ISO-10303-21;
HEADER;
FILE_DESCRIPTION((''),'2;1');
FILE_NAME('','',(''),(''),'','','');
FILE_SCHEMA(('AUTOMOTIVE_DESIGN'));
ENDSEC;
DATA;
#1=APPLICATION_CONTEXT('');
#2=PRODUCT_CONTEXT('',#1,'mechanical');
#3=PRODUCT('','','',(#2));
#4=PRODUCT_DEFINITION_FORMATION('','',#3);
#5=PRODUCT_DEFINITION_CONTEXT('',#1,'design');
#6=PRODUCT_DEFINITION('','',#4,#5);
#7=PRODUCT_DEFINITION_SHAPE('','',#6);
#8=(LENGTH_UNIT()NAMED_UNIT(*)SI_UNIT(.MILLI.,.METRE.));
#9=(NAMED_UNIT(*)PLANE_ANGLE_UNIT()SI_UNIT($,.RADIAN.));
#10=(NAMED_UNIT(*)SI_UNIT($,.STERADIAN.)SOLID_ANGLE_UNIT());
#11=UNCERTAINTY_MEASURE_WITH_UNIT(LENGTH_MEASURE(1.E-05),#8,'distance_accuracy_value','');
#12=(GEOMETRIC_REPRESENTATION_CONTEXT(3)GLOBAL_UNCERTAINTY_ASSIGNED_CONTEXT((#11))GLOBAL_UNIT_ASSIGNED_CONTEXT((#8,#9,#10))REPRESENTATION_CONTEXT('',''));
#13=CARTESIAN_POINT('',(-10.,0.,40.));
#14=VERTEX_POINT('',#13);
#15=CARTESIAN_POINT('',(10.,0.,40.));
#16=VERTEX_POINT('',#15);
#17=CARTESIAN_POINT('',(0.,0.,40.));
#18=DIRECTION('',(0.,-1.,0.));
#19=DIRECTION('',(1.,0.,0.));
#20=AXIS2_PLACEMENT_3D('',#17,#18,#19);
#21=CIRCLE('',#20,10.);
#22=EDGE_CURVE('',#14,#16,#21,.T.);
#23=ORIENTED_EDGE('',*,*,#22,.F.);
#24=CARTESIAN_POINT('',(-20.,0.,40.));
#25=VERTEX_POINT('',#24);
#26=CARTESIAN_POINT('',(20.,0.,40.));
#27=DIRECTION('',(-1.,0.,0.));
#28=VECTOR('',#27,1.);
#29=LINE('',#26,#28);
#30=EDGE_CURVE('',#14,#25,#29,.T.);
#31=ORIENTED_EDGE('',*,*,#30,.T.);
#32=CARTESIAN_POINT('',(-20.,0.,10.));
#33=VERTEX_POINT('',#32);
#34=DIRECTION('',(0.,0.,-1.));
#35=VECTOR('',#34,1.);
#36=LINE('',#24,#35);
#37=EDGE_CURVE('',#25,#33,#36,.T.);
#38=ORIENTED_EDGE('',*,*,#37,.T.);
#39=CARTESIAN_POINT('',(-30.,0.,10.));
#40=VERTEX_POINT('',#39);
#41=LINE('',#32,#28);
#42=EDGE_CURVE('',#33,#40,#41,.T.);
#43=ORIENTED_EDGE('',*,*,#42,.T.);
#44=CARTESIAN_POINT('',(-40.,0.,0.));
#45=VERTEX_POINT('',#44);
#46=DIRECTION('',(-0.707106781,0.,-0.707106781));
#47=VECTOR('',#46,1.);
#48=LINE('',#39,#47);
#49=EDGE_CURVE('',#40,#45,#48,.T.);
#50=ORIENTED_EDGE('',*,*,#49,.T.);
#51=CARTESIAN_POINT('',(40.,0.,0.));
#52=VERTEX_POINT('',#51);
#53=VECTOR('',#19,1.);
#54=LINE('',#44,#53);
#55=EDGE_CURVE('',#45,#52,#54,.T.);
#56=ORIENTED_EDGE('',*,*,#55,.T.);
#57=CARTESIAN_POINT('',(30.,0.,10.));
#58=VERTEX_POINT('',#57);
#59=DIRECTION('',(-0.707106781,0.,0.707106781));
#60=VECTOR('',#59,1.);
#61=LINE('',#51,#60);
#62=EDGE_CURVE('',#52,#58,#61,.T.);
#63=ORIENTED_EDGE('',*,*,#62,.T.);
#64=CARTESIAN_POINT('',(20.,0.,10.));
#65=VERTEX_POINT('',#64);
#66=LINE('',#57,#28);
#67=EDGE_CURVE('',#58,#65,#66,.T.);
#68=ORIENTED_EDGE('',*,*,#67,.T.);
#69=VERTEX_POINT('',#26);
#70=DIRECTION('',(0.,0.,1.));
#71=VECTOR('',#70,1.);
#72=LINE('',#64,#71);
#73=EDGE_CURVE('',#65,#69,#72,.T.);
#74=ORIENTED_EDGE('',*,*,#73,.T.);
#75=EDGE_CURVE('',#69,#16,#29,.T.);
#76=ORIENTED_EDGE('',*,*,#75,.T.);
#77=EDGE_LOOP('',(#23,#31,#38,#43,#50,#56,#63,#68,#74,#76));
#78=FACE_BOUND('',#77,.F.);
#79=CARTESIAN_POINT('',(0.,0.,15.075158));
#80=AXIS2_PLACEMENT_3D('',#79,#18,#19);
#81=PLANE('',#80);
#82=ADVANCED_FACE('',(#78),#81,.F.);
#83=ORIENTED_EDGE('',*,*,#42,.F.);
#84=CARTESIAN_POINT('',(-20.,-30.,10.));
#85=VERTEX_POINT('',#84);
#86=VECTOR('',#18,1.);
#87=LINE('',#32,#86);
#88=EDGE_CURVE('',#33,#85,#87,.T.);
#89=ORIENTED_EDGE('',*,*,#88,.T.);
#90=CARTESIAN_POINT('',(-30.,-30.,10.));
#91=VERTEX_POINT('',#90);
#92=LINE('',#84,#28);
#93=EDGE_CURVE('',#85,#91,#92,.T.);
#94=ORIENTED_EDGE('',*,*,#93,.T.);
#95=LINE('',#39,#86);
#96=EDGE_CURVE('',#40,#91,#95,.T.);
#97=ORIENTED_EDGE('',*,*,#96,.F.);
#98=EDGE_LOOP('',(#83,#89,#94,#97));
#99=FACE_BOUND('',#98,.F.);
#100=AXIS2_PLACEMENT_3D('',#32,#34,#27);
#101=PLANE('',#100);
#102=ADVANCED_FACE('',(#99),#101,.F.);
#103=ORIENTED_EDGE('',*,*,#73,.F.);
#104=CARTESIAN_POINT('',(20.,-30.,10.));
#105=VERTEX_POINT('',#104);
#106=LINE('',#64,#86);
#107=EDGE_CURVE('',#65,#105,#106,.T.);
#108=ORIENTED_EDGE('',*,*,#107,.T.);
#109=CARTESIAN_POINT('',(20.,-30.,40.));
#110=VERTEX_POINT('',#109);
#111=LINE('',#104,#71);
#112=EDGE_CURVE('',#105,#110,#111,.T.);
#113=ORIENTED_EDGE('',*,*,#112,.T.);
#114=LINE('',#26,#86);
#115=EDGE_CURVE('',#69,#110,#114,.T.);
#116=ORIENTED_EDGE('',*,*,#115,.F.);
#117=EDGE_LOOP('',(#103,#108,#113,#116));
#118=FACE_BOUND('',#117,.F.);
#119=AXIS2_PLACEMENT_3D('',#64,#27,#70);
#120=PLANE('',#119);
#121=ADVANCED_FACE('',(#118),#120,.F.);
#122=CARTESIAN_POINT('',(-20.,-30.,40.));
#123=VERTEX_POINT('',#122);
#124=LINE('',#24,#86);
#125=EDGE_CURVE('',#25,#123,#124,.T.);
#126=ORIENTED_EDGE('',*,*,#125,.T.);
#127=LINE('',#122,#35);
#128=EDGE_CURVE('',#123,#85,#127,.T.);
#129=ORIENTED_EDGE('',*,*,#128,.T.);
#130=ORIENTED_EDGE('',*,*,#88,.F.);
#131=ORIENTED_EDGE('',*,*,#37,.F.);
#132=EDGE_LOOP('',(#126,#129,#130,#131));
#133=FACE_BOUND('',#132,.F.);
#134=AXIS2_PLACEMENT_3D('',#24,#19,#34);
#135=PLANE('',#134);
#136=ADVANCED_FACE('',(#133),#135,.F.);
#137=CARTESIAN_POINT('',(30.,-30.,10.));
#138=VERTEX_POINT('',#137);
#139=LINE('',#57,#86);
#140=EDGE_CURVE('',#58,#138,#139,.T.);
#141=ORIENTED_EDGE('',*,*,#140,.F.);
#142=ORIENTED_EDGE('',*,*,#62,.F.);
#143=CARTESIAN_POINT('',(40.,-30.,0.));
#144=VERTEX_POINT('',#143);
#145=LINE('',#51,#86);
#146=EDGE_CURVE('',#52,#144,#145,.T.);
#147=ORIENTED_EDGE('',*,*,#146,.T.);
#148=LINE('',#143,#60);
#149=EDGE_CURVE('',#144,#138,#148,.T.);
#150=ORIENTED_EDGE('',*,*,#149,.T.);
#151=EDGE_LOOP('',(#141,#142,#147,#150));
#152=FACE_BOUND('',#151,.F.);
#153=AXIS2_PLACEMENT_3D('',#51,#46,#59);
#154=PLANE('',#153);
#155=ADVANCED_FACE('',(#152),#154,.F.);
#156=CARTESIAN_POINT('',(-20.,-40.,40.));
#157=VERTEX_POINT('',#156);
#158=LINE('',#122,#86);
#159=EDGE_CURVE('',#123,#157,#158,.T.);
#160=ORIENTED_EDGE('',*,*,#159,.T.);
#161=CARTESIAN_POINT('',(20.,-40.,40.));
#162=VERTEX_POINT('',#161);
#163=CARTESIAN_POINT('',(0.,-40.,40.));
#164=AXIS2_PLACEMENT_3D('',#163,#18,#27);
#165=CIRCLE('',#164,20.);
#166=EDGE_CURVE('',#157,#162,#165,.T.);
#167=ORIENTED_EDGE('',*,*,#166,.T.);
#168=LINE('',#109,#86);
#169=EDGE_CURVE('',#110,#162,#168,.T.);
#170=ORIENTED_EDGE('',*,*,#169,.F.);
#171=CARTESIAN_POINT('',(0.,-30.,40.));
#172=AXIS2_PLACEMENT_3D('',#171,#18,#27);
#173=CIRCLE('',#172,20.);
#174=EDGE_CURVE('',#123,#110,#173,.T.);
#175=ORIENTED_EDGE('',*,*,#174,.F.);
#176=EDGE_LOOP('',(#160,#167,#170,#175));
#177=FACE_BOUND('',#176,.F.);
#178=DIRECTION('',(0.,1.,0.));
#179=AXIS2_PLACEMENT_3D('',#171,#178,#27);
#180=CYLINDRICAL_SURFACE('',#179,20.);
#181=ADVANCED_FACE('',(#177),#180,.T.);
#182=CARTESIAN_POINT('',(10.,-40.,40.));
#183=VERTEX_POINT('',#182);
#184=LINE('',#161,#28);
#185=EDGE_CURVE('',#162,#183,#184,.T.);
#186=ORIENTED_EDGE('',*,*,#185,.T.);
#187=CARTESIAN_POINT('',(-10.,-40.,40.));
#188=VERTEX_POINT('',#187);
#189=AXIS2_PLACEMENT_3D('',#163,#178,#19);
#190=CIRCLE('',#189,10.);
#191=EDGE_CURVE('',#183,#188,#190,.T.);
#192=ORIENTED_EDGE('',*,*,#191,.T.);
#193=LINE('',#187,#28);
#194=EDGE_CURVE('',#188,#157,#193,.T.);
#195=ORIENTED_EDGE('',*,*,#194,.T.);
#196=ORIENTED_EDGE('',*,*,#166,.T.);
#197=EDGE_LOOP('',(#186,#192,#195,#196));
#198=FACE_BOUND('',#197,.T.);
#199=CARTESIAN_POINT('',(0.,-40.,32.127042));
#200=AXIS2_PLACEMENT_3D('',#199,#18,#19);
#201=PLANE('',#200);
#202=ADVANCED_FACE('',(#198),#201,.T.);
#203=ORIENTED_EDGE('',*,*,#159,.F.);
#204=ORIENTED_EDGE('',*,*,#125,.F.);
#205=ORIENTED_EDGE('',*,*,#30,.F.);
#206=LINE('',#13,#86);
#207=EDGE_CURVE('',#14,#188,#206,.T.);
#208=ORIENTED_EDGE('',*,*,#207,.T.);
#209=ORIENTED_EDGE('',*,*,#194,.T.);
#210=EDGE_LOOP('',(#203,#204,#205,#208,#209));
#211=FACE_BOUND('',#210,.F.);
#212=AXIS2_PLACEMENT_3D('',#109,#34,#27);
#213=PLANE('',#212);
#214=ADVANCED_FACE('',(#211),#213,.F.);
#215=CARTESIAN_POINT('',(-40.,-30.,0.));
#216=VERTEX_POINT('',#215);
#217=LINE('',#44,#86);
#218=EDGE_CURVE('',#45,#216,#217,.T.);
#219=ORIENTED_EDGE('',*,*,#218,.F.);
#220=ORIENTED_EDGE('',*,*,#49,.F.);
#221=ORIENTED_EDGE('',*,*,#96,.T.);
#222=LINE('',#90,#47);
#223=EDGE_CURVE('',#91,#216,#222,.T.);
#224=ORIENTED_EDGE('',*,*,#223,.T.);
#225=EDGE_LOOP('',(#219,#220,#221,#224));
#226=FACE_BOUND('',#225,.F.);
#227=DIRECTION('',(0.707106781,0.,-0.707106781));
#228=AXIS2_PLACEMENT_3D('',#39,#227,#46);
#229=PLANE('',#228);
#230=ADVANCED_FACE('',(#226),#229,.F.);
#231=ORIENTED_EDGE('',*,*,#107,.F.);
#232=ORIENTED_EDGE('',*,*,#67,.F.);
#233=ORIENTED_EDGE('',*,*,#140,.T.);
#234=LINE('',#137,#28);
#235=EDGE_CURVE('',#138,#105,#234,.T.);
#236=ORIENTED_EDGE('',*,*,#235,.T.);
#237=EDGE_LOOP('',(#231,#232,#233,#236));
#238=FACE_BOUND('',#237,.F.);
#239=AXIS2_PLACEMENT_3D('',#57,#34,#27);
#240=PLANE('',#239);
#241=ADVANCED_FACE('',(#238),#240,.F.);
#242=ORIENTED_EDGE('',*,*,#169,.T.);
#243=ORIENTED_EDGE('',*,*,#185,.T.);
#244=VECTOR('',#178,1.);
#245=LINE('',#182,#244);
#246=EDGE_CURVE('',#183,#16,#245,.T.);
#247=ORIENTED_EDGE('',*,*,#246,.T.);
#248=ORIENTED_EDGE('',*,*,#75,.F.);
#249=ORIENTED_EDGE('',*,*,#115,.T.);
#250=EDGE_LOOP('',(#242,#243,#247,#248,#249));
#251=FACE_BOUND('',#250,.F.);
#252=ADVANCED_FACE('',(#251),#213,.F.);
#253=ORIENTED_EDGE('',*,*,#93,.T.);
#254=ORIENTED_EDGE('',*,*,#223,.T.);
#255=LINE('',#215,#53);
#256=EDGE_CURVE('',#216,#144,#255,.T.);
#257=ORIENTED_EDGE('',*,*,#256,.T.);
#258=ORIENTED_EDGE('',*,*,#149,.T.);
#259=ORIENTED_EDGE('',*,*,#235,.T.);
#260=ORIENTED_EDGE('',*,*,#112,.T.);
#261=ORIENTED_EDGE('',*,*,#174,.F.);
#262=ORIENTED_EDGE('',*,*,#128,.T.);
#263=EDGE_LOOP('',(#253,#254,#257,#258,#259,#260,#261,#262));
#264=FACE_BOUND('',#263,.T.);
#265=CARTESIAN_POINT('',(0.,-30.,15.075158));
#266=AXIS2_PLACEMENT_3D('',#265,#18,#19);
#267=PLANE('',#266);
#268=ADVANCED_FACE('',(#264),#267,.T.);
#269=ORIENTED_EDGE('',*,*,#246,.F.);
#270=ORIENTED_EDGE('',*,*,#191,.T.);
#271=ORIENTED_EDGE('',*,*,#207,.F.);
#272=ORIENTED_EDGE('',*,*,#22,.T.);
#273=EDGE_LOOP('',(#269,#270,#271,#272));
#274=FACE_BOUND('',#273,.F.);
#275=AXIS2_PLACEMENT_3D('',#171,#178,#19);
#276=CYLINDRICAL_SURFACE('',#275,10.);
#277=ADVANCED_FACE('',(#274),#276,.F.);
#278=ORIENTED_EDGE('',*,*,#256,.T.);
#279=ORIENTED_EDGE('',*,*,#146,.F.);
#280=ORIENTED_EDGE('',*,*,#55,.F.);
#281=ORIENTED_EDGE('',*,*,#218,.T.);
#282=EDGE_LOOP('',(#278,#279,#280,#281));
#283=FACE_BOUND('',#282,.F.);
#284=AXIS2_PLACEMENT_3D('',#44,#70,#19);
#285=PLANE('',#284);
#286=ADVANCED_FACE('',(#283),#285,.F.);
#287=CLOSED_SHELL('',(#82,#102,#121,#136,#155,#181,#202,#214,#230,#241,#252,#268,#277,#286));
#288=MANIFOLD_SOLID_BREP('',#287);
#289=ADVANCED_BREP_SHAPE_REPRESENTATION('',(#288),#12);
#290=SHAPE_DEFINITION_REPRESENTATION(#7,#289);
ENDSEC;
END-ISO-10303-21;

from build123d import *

# Parameters (mm, degrees)
F1_DEPTH = 30
F3_DEPTH = 10
F4_DEPTH = 30.001


with BuildPart() as f1:
    # F0 (on Front) → F1 (new body)
    with BuildSketch(Plane.XZ):
        Polygon((20, 10), (20, 40), (-20, 40), (-20, 10), (-30, 10), (-40, 0), (40, 0), (30, 10), align=None)
    extrude(amount=F1_DEPTH)

    # F2 (on face) → F3 (join)
    with BuildSketch(Plane.XZ.offset(30)):
        with BuildLine():
            ThreePointArc((10, 40), (0, 30), (-10, 40))
            Line((-10, 40), (-20, 40))
            ThreePointArc((-20, 40), (0, 20), (20, 40))
            Line((20, 40), (10, 40))
        make_face()
    extrude(amount=F3_DEPTH)

    # F4 (cut, through all): a face of the model
    f4_faces = [f1.faces().sort_by_distance(p)[0] for p in [
        (0, -30, 35.7558681842),
    ]]
    extrude(f4_faces, amount=-F4_DEPTH, mode=Mode.SUBTRACT)


solid = f1.part
